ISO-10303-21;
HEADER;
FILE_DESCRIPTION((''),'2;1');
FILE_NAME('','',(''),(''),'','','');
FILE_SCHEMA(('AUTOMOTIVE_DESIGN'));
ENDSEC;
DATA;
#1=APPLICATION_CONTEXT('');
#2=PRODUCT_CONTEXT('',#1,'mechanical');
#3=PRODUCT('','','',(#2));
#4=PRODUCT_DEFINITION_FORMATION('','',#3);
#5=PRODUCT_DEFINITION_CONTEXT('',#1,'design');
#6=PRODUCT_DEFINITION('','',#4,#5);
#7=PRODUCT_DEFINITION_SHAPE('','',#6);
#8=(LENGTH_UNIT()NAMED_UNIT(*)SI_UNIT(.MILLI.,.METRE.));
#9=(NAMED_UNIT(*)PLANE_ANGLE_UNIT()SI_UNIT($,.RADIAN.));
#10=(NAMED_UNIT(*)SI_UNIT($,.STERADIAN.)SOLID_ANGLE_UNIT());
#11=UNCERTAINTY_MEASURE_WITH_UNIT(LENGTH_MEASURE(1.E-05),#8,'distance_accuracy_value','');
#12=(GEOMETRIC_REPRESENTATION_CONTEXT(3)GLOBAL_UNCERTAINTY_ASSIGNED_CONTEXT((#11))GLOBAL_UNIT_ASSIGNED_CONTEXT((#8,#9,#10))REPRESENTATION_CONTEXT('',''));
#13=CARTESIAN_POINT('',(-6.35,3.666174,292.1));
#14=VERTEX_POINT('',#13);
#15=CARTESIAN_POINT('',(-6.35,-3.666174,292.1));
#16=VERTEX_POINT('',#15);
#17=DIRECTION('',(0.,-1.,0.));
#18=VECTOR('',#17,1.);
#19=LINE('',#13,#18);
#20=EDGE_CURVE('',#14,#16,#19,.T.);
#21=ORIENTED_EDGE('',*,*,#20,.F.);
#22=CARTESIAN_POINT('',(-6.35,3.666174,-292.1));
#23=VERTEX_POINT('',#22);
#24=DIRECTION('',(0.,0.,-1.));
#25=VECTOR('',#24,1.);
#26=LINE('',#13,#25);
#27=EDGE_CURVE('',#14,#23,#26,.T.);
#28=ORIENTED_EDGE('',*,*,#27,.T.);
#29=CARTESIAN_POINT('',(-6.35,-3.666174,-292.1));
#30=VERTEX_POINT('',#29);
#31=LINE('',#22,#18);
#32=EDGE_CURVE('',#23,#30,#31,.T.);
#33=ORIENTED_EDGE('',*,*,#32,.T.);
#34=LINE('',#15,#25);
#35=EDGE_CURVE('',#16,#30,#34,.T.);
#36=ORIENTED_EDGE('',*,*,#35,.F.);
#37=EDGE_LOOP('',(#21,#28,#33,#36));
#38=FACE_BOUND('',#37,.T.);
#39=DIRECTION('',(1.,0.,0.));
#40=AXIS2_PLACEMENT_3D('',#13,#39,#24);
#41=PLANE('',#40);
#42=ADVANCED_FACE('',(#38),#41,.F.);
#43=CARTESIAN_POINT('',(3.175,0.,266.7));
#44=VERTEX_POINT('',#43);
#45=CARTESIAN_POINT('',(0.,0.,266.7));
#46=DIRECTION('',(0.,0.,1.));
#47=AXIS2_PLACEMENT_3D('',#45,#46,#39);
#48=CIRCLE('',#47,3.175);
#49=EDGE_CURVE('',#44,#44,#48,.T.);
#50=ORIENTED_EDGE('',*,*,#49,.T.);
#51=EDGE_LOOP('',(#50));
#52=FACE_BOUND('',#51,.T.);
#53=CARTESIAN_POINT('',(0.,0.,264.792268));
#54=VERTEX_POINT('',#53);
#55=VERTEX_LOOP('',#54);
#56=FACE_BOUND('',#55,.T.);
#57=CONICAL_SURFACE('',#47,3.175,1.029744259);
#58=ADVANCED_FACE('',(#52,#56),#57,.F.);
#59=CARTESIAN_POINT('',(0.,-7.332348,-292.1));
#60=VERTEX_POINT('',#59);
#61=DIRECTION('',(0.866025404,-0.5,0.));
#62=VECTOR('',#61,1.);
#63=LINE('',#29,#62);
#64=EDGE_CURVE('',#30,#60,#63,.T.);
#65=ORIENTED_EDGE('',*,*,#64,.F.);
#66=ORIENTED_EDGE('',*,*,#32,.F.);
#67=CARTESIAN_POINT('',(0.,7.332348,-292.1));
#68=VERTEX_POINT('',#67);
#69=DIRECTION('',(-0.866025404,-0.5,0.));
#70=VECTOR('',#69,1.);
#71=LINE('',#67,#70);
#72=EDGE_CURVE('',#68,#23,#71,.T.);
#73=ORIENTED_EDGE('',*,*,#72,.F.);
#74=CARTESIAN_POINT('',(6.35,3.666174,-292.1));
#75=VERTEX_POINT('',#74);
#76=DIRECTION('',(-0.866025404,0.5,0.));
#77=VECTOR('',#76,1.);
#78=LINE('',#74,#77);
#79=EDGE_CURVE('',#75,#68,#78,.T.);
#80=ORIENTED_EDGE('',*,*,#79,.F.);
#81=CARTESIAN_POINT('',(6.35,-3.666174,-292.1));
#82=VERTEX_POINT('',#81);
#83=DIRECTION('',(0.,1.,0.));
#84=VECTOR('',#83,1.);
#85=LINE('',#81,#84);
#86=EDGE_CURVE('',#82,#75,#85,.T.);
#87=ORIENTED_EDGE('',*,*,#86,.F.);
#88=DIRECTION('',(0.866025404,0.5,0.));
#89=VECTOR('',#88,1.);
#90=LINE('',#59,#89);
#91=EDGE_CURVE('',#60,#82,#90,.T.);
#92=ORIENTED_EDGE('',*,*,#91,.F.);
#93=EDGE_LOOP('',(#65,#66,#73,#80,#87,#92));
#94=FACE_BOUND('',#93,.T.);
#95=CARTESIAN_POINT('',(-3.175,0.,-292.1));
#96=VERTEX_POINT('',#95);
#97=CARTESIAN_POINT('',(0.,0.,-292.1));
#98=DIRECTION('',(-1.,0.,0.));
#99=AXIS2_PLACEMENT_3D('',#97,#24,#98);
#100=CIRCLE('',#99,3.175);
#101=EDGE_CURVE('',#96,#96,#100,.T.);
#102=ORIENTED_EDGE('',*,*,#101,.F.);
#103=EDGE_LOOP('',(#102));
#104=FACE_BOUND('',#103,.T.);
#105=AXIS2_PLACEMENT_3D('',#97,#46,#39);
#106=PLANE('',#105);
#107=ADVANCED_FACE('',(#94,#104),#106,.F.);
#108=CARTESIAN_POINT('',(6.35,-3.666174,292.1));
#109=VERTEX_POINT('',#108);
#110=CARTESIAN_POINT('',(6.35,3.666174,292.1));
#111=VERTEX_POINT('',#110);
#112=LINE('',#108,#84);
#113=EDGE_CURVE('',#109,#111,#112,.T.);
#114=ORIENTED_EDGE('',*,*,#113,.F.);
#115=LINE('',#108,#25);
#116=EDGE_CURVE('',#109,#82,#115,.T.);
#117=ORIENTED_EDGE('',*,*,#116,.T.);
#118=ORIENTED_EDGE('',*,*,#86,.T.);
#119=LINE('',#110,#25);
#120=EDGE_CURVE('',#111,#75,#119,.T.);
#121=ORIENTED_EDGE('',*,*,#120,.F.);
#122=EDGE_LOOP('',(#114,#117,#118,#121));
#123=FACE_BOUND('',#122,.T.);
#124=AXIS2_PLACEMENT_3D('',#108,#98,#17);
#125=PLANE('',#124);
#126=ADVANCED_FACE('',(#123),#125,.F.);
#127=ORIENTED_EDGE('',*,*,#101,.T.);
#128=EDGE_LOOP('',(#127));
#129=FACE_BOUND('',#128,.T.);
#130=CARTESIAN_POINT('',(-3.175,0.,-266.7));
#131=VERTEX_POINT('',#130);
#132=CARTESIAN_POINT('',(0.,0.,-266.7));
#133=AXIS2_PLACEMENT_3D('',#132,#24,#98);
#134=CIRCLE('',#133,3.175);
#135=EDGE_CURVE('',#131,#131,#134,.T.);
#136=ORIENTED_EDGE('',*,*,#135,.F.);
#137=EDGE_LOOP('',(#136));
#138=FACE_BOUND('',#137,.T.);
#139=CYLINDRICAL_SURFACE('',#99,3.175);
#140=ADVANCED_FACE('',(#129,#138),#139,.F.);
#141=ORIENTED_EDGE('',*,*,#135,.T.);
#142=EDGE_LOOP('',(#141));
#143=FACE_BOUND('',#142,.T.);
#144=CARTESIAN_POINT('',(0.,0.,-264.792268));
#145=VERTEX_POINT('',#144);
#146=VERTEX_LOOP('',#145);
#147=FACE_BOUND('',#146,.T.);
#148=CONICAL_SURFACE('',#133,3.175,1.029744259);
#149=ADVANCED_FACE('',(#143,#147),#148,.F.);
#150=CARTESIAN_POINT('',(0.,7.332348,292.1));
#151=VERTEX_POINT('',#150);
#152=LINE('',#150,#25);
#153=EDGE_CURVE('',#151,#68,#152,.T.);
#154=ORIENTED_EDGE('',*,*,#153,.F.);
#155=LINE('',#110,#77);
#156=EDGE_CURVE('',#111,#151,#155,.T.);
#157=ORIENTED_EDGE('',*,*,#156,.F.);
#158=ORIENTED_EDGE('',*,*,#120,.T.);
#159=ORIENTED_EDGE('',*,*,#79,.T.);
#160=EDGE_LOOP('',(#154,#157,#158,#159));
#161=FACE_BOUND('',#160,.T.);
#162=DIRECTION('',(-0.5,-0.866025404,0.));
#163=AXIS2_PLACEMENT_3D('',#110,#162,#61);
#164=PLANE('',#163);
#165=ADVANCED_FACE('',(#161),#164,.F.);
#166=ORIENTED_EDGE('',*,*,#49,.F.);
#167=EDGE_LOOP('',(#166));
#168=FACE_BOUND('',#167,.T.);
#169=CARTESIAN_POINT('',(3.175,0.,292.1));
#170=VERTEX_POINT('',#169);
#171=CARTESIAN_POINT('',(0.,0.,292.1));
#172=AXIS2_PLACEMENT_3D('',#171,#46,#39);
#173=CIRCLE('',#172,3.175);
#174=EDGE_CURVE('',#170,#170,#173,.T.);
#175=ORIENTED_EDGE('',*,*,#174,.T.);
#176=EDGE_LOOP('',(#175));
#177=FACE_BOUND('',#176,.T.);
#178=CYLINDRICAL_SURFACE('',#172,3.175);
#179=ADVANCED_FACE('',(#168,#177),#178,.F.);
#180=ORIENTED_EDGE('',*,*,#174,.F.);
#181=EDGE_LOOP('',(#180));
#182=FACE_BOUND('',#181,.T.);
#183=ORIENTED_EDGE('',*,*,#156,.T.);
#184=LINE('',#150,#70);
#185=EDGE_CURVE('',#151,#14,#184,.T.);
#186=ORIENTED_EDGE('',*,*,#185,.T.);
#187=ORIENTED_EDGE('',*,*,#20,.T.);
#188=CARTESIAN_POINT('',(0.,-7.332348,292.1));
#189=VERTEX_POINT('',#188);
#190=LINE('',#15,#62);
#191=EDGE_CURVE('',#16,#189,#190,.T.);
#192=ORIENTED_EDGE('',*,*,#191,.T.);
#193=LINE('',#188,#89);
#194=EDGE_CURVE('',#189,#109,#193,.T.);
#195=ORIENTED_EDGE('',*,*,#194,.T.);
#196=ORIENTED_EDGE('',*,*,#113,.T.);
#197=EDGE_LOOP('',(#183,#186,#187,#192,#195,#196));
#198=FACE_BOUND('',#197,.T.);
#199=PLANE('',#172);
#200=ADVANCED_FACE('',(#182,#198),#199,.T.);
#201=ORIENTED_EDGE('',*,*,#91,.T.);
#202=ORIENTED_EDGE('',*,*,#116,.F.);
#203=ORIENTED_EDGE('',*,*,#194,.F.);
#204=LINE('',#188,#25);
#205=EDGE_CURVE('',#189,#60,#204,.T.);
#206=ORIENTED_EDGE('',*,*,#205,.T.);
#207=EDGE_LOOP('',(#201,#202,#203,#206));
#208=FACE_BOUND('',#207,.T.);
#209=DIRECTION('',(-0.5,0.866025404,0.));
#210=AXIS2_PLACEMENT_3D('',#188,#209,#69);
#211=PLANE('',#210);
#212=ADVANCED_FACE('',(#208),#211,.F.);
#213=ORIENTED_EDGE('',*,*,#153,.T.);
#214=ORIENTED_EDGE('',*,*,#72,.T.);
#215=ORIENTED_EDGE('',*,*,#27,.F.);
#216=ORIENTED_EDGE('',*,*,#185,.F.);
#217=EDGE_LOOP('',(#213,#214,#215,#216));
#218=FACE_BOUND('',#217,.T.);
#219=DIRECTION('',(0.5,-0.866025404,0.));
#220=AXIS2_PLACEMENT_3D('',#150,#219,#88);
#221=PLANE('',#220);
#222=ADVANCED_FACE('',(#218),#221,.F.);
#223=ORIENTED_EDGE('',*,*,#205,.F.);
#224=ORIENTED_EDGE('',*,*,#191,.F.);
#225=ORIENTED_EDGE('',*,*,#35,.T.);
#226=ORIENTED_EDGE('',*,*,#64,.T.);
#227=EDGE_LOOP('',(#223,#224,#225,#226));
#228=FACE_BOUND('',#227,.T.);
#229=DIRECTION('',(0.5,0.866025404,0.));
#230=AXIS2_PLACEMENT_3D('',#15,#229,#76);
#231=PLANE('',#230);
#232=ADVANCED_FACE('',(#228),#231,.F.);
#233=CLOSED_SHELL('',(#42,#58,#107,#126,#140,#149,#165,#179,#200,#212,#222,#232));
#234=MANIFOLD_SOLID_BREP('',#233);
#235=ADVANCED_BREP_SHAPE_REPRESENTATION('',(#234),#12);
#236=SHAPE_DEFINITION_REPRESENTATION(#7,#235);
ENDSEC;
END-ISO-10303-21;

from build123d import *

# Parameters (mm, degrees)
BOSS_EXTRUDE2_DEPTH             = 292.1
BOSS_EXTRUDE2_DEPTH_BACK        = 292.1
F_1_4_0_25_DIAMETER_HOLE1_D     = 6.35
F_1_4_0_25_DIAMETER_HOLE1_DEPTH = 25.4
F_1_4_0_25_DIAMETER_HOLE1_TIP   = 1.907732465
F_1_4_0_25_DIAMETER_HOLE2_D     = 6.35
F_1_4_0_25_DIAMETER_HOLE2_DEPTH = 25.4
F_1_4_0_25_DIAMETER_HOLE2_TIP   = 1.907732465


with BuildPart() as part:
    # Sketch3 → Boss-Extrude2 (new, two sides: drawn at the far end of the back side and taken through both)
    with BuildSketch(Plane.XY.offset(-BOSS_EXTRUDE2_DEPTH_BACK)):
        Polygon((-6.35, -3.666174209), (0, -7.332348419), (6.35, -3.666174209), (6.35, 3.666174209), (0, 7.332348419), (-6.35, 3.666174209), align=None)
    extrude(amount=BOSS_EXTRUDE2_DEPTH + BOSS_EXTRUDE2_DEPTH_BACK)

    # 1/4 (0.25) Diameter Hole1
    with Locations(Plane.XY.offset(292.1)):
        with Locations((0, 0)):
            Hole(F_1_4_0_25_DIAMETER_HOLE1_D / 2, depth=F_1_4_0_25_DIAMETER_HOLE1_DEPTH)
            with Locations((0, 0, -(F_1_4_0_25_DIAMETER_HOLE1_DEPTH + F_1_4_0_25_DIAMETER_HOLE1_TIP / 2))):  # 118° drill point
                Cone(0, F_1_4_0_25_DIAMETER_HOLE1_D / 2, F_1_4_0_25_DIAMETER_HOLE1_TIP, mode=Mode.SUBTRACT)

    # 1/4 (0.25) Diameter Hole2
    with Locations(Plane(origin=(0, 0, -292.1), x_dir=(-1, 0, 0), z_dir=(0, 0, -1))):
        with Locations((0, 0)):
            Hole(F_1_4_0_25_DIAMETER_HOLE2_D / 2, depth=F_1_4_0_25_DIAMETER_HOLE2_DEPTH)
            with Locations((0, 0, -(F_1_4_0_25_DIAMETER_HOLE2_DEPTH + F_1_4_0_25_DIAMETER_HOLE2_TIP / 2))):  # 118° drill point
                Cone(0, F_1_4_0_25_DIAMETER_HOLE2_D / 2, F_1_4_0_25_DIAMETER_HOLE2_TIP, mode=Mode.SUBTRACT)


solid = part.part
